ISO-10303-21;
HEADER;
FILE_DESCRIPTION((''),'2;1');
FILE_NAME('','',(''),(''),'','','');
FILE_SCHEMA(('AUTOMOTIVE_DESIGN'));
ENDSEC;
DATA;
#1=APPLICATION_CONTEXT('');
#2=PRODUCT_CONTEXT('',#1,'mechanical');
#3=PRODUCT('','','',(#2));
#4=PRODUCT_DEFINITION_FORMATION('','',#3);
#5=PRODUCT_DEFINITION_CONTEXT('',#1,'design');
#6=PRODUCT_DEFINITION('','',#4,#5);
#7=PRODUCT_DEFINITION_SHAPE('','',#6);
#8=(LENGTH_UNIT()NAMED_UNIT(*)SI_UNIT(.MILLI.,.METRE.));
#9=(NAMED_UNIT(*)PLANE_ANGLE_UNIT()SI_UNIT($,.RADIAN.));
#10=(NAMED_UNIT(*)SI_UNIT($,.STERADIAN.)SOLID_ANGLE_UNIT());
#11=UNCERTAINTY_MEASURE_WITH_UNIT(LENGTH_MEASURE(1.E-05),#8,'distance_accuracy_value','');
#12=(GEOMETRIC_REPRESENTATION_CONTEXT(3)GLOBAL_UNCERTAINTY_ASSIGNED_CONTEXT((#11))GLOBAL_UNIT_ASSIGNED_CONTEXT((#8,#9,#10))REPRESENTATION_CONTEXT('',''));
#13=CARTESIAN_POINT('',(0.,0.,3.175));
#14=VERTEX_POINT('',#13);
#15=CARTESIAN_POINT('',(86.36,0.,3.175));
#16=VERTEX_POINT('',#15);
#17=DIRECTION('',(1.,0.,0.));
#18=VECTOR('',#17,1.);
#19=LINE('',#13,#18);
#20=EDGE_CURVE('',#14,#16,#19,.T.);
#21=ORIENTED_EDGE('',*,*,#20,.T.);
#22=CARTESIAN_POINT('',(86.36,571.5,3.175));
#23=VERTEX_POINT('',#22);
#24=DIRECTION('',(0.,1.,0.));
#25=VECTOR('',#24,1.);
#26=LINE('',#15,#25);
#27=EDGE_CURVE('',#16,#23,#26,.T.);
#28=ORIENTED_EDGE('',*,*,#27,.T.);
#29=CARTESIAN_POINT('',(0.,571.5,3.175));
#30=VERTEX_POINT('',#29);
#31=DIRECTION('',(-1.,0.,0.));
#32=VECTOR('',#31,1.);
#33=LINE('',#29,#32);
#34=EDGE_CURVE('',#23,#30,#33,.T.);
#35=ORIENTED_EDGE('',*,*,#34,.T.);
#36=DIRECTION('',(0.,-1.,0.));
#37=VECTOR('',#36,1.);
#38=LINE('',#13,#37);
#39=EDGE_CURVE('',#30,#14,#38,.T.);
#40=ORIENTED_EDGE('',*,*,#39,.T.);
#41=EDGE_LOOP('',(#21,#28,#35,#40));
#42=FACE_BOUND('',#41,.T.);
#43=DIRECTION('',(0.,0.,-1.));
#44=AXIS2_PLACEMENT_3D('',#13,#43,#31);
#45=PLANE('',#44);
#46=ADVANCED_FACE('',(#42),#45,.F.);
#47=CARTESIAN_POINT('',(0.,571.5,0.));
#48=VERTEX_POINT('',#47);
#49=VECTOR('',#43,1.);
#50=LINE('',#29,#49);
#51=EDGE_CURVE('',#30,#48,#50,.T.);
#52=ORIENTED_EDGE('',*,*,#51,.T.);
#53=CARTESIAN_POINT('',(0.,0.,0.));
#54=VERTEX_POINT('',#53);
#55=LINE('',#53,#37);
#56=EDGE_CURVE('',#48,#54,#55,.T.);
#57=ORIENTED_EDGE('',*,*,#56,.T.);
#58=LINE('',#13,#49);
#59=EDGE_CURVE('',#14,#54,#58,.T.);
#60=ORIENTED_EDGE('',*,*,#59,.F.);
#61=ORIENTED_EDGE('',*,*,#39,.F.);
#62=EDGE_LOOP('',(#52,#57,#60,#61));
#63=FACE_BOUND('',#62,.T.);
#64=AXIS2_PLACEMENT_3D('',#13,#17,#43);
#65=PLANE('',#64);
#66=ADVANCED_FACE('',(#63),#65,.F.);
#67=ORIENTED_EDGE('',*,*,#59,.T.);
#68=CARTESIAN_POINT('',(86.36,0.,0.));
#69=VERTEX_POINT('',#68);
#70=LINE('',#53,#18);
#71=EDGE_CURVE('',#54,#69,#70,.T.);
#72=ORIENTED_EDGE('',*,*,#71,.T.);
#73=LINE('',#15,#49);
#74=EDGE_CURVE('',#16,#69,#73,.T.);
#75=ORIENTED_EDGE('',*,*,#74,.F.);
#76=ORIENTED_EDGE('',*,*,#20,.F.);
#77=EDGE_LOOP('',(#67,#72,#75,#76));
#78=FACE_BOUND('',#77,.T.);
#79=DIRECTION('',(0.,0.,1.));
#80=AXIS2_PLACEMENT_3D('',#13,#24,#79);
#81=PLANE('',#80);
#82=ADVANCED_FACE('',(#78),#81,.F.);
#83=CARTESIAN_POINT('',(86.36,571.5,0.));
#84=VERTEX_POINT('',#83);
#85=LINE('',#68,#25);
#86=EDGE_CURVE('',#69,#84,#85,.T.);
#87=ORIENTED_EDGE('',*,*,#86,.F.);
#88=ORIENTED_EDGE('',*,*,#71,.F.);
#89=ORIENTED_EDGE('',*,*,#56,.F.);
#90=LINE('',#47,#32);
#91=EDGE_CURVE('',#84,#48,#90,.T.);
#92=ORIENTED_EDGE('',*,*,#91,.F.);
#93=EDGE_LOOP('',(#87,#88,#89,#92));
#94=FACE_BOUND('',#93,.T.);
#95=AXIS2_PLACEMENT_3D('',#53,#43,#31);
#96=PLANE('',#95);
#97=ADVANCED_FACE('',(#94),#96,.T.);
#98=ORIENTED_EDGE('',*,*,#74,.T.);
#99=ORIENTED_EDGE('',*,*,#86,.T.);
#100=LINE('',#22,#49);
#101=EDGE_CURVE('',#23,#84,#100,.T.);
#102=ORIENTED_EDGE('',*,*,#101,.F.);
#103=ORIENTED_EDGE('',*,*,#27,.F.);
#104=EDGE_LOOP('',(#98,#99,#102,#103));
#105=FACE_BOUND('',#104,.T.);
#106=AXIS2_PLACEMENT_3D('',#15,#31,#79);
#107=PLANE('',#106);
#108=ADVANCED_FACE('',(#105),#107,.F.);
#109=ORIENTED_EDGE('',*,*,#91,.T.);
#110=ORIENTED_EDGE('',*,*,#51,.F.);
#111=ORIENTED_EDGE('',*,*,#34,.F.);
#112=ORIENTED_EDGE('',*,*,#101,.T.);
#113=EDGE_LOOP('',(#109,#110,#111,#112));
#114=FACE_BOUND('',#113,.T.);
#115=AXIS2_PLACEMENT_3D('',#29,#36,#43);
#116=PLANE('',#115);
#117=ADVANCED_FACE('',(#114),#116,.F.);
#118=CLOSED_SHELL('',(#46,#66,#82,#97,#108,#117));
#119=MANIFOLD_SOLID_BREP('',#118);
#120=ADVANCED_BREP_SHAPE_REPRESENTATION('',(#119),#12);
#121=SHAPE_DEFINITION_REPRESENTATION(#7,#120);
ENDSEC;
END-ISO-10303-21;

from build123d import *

# Parameters (mm, degrees)
SKETCH1_W           = 86.36
SKETCH1_H           = 571.5
BOSS_EXTRUDE1_DEPTH = 3.175


with BuildPart() as part:
    # Sketch1 → Boss-Extrude1 (new body)
    with BuildSketch(Plane.XY):
        with Locations((43.18, 285.75)):
            Rectangle(SKETCH1_W, SKETCH1_H)
    extrude(amount=BOSS_EXTRUDE1_DEPTH)


solid = part.part
